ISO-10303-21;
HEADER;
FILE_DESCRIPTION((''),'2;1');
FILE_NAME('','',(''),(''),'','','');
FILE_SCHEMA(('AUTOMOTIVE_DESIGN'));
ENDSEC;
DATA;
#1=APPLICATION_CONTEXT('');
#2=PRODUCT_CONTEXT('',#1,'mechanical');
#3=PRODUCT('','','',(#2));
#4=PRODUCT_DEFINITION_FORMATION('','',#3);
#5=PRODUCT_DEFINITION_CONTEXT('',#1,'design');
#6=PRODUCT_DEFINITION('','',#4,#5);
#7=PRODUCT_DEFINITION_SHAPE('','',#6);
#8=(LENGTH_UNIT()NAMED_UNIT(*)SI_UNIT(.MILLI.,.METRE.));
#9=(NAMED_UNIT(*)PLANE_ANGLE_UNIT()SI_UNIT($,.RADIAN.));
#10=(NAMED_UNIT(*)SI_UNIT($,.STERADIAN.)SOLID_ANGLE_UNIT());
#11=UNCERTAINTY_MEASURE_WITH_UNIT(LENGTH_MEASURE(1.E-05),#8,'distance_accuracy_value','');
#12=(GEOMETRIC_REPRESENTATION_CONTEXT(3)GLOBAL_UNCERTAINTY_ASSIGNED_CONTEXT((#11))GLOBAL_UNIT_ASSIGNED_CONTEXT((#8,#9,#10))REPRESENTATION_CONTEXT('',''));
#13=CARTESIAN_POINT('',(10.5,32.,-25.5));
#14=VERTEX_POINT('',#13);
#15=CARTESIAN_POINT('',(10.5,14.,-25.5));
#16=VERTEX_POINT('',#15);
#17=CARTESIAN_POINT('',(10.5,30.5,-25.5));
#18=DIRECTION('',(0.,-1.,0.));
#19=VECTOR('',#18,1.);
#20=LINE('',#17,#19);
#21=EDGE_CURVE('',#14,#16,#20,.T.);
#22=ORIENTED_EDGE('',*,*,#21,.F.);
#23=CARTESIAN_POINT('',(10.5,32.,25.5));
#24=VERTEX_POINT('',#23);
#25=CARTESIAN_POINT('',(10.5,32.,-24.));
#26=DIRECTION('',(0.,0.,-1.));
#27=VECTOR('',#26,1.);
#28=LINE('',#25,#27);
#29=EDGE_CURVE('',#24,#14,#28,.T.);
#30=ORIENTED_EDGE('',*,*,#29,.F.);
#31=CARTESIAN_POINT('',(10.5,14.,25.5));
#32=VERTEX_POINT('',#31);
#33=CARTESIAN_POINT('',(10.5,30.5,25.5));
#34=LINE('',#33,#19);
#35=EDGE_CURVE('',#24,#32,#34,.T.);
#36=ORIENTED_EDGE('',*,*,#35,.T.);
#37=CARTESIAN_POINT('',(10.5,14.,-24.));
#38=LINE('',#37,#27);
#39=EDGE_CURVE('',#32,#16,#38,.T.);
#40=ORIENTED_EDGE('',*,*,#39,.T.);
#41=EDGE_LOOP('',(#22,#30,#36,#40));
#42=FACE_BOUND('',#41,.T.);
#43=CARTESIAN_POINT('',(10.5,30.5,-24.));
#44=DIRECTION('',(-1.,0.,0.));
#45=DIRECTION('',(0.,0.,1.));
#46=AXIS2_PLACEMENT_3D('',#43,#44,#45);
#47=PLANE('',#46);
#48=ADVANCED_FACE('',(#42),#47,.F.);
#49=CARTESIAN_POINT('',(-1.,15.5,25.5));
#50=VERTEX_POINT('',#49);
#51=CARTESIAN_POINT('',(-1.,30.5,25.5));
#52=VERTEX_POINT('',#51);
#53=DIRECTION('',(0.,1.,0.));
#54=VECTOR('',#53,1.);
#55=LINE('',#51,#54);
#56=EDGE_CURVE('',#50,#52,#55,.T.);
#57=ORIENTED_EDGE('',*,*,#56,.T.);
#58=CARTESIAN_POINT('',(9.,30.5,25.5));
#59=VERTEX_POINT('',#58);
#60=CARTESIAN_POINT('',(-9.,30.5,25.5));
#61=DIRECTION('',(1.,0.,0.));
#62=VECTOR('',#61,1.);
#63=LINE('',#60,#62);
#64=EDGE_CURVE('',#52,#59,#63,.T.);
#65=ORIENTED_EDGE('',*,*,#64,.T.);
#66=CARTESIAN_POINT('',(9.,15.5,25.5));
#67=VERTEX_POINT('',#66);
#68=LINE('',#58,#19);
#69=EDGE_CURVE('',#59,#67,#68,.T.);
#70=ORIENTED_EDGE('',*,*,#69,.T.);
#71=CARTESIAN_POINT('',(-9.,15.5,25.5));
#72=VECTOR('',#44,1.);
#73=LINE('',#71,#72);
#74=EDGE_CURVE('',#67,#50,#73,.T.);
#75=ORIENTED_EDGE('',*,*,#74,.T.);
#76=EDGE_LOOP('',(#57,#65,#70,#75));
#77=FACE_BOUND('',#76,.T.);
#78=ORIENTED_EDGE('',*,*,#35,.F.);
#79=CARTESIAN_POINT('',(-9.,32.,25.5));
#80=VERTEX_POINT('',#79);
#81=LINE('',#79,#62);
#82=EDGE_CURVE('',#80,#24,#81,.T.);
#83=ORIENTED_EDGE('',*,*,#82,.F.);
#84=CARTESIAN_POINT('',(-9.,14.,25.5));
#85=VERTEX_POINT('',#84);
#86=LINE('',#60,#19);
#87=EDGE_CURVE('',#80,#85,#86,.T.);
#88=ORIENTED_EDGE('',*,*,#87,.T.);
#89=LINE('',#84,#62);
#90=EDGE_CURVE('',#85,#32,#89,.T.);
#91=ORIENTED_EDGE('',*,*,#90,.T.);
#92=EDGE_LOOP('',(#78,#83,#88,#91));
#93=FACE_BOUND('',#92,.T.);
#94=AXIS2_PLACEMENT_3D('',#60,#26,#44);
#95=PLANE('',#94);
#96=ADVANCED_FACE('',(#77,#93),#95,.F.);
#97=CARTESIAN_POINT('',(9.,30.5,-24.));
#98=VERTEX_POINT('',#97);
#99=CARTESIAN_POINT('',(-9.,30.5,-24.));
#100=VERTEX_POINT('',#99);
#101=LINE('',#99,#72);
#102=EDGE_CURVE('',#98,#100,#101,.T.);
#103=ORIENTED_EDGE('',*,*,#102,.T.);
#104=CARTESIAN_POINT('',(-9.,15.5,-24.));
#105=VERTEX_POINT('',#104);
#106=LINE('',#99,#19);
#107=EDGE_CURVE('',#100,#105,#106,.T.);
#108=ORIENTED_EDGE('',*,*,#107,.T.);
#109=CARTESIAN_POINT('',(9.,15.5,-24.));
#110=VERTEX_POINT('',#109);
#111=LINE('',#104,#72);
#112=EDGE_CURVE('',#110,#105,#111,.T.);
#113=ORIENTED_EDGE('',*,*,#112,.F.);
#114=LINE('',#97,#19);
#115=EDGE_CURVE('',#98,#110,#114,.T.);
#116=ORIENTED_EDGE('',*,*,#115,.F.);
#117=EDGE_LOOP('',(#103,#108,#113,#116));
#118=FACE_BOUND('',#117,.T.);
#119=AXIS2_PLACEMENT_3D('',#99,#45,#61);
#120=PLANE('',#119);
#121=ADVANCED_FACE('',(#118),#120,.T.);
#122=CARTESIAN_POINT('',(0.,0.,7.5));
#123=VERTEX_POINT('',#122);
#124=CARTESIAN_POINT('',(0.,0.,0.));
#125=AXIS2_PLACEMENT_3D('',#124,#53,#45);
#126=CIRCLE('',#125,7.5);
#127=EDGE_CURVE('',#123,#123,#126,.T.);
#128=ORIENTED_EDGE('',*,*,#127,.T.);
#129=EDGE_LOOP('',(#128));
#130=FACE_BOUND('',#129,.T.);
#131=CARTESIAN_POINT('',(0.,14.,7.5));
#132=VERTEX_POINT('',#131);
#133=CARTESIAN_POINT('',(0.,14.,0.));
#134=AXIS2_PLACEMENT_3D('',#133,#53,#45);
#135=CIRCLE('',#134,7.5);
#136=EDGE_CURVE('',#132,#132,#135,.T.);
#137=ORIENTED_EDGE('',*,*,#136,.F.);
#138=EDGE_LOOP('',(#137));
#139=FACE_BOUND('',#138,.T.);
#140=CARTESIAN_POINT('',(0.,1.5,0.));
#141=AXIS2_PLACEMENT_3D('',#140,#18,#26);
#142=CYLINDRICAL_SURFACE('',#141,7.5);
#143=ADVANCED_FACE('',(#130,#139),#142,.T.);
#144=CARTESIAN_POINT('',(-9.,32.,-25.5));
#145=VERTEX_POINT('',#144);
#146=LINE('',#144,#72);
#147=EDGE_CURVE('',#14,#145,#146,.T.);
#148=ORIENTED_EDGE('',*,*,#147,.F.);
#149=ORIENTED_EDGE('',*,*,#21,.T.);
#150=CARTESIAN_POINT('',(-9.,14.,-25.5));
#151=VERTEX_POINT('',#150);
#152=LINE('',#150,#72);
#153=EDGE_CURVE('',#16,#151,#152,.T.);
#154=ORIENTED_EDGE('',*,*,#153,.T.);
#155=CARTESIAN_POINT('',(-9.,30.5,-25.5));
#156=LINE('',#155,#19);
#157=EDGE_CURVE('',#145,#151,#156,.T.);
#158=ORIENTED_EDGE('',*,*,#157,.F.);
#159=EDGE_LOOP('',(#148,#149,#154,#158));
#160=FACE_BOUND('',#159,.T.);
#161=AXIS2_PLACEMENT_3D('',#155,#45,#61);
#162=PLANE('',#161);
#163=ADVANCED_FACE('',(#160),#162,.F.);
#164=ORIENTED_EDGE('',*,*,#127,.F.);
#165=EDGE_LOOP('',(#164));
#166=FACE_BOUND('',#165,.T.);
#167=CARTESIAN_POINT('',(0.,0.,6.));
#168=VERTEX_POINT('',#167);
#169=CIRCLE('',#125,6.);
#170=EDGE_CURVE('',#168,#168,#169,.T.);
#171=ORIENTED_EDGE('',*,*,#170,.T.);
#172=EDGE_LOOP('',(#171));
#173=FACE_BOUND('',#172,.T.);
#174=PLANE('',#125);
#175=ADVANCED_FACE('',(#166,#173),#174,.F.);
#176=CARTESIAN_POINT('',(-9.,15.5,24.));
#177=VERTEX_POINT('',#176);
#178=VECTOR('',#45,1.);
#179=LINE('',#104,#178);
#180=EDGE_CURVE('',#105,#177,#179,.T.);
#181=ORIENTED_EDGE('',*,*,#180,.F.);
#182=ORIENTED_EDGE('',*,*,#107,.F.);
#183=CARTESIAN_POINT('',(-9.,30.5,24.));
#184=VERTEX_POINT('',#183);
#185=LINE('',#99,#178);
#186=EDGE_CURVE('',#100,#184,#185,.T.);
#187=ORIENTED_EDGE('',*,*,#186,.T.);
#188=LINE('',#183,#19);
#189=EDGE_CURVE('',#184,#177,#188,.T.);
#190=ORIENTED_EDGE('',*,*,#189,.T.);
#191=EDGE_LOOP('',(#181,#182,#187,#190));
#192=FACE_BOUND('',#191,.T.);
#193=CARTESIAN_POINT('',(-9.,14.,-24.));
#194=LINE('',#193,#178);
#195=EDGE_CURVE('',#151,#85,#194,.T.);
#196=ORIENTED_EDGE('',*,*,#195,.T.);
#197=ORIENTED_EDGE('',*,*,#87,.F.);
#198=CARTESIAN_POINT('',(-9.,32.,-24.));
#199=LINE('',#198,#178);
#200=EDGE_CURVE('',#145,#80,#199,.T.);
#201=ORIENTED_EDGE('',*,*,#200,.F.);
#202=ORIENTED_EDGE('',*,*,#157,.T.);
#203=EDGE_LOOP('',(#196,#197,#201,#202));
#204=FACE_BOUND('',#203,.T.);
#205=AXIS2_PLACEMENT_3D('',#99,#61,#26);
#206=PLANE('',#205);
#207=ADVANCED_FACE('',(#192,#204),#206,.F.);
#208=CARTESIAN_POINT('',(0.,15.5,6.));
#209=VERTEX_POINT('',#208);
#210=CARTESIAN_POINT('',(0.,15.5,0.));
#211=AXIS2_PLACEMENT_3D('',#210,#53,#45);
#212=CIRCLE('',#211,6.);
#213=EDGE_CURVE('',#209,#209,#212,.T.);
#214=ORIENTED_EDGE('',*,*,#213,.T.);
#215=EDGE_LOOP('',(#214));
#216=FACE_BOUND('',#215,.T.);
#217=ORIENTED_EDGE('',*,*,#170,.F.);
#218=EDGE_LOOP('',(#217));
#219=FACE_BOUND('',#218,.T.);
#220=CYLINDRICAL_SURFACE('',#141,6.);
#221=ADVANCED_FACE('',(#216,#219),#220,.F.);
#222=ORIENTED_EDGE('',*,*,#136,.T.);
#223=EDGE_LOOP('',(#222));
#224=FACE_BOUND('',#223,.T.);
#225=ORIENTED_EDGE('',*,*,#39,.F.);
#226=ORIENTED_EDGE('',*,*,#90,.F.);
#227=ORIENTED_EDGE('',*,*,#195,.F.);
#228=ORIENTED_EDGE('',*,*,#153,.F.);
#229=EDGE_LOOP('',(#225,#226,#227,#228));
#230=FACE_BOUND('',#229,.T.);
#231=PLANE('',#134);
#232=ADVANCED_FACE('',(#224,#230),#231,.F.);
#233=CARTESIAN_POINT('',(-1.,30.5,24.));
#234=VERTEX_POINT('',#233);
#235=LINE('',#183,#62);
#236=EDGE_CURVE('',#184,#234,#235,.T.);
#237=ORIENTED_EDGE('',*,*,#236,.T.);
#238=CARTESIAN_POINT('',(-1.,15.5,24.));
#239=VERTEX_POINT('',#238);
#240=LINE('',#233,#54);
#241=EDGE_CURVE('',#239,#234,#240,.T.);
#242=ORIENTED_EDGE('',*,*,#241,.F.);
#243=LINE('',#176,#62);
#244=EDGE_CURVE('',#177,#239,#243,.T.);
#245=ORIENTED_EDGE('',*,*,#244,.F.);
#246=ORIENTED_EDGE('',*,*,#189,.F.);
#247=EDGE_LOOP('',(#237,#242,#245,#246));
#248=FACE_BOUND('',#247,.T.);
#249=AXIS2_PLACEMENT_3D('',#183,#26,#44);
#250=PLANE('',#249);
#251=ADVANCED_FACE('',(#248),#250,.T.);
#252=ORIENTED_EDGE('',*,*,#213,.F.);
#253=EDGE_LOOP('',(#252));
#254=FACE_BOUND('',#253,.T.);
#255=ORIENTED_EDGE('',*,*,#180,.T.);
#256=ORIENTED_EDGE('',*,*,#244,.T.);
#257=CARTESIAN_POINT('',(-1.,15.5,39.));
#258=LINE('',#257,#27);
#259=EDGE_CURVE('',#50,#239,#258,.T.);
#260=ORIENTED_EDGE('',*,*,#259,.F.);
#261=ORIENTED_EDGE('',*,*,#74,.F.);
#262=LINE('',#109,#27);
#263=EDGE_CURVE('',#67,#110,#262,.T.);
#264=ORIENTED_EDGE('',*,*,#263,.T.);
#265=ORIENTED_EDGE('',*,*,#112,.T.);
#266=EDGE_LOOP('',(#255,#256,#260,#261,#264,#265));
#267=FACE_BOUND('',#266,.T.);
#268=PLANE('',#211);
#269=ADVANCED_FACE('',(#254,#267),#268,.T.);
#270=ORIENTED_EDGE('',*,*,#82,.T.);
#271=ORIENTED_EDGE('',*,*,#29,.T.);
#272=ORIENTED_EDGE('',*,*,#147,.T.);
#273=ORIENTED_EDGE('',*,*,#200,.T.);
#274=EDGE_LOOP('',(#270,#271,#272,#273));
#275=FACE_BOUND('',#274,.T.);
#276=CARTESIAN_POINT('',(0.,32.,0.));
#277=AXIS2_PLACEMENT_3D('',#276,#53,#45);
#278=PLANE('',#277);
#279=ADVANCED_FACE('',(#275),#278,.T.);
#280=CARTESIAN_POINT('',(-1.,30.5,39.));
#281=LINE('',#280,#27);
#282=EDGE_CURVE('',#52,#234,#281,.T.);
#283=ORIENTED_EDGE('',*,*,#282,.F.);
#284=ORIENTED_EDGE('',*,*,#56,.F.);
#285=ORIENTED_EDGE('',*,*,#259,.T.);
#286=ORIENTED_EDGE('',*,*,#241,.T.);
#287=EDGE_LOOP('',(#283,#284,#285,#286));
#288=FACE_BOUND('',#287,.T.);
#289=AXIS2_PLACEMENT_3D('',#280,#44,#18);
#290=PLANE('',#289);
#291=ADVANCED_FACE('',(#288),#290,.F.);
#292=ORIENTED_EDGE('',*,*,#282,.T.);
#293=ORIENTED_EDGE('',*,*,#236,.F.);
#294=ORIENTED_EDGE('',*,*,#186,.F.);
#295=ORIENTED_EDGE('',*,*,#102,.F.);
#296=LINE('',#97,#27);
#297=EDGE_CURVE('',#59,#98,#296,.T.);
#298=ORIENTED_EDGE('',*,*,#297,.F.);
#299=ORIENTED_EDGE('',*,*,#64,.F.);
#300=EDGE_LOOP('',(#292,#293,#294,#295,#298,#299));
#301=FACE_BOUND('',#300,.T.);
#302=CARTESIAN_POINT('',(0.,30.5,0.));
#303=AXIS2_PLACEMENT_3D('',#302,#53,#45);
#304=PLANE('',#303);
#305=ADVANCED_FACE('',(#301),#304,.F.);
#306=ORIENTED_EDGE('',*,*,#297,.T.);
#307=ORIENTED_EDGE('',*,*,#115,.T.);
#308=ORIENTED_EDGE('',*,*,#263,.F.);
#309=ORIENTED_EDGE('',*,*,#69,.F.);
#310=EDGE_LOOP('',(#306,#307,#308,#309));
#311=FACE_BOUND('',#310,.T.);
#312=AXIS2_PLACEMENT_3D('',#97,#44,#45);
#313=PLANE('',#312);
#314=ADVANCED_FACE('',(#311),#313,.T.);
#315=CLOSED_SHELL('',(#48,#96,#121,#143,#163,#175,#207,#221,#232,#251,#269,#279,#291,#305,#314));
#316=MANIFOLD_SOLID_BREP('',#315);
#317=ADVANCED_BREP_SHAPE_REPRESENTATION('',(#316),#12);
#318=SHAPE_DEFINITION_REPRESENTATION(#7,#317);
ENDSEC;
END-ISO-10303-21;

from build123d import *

# Parameters (mm, degrees)
SKETCH_1_R          = 6
EXTRUDE_1_DEPTH     = 1.5
SKETCH_2_R          = 6
EXTRUDE_2_DEPTH     = 14
SKETCH_3_W          = 18
SKETCH_3_H          = 48
EXTRUDE_3_DEPTH     = 15
SHELL_3_T           = 1.5
SKETCH_4_W          = 10
SKETCH_4_H          = 15
CUT_EXTRUDE_1_DEPTH = 15


with BuildPart() as part:
    # 草图1 → 凸台-拉伸1 (new body)
    with BuildSketch(Plane(origin=(0, 0, 0), x_dir=(1, 0, 0), z_dir=(0, 1, 0))):
        with Locations(Location((0, 0, 0), (0, 0, 270))):
            Circle(SKETCH_1_R)
    extrude(amount=EXTRUDE_1_DEPTH)

    # 草图2 → 凸台-拉伸2 (add)
    with BuildSketch(Plane(origin=(0, 1.5, 0), x_dir=(1, 0, 0), z_dir=(0, 1, 0))):
        with Locations(Location((0, 0, 0), (0, 0, 270))):
            Circle(SKETCH_2_R)
    extrude(amount=EXTRUDE_2_DEPTH)

    # 草图3 → 凸台-拉伸3 (add)
    with BuildSketch(Plane(origin=(0, 15.5, 0), x_dir=(1, 0, 0), z_dir=(0, 1, 0))):
        Rectangle(SKETCH_3_W, SKETCH_3_H)
    extrude(amount=EXTRUDE_3_DEPTH)

    # 抽壳3
    shell_3_openings = [part.faces().sort_by_distance(p)[0] for p in [
        (-9, 23, 0),
        (0, 0, 0),
    ]]
    offset(amount=SHELL_3_T, openings=shell_3_openings, kind=Kind.INTERSECTION)

    # 草图4 → 切除-拉伸1 (cut)
    with BuildSketch(Plane(origin=(0, 0, 24), x_dir=(-1, 0, 0), z_dir=(0, 0, -1))):
        with Locations((-4, 23)):
            Rectangle(SKETCH_4_W, SKETCH_4_H)
    extrude(amount=-CUT_EXTRUDE_1_DEPTH, mode=Mode.SUBTRACT)


solid = part.part
